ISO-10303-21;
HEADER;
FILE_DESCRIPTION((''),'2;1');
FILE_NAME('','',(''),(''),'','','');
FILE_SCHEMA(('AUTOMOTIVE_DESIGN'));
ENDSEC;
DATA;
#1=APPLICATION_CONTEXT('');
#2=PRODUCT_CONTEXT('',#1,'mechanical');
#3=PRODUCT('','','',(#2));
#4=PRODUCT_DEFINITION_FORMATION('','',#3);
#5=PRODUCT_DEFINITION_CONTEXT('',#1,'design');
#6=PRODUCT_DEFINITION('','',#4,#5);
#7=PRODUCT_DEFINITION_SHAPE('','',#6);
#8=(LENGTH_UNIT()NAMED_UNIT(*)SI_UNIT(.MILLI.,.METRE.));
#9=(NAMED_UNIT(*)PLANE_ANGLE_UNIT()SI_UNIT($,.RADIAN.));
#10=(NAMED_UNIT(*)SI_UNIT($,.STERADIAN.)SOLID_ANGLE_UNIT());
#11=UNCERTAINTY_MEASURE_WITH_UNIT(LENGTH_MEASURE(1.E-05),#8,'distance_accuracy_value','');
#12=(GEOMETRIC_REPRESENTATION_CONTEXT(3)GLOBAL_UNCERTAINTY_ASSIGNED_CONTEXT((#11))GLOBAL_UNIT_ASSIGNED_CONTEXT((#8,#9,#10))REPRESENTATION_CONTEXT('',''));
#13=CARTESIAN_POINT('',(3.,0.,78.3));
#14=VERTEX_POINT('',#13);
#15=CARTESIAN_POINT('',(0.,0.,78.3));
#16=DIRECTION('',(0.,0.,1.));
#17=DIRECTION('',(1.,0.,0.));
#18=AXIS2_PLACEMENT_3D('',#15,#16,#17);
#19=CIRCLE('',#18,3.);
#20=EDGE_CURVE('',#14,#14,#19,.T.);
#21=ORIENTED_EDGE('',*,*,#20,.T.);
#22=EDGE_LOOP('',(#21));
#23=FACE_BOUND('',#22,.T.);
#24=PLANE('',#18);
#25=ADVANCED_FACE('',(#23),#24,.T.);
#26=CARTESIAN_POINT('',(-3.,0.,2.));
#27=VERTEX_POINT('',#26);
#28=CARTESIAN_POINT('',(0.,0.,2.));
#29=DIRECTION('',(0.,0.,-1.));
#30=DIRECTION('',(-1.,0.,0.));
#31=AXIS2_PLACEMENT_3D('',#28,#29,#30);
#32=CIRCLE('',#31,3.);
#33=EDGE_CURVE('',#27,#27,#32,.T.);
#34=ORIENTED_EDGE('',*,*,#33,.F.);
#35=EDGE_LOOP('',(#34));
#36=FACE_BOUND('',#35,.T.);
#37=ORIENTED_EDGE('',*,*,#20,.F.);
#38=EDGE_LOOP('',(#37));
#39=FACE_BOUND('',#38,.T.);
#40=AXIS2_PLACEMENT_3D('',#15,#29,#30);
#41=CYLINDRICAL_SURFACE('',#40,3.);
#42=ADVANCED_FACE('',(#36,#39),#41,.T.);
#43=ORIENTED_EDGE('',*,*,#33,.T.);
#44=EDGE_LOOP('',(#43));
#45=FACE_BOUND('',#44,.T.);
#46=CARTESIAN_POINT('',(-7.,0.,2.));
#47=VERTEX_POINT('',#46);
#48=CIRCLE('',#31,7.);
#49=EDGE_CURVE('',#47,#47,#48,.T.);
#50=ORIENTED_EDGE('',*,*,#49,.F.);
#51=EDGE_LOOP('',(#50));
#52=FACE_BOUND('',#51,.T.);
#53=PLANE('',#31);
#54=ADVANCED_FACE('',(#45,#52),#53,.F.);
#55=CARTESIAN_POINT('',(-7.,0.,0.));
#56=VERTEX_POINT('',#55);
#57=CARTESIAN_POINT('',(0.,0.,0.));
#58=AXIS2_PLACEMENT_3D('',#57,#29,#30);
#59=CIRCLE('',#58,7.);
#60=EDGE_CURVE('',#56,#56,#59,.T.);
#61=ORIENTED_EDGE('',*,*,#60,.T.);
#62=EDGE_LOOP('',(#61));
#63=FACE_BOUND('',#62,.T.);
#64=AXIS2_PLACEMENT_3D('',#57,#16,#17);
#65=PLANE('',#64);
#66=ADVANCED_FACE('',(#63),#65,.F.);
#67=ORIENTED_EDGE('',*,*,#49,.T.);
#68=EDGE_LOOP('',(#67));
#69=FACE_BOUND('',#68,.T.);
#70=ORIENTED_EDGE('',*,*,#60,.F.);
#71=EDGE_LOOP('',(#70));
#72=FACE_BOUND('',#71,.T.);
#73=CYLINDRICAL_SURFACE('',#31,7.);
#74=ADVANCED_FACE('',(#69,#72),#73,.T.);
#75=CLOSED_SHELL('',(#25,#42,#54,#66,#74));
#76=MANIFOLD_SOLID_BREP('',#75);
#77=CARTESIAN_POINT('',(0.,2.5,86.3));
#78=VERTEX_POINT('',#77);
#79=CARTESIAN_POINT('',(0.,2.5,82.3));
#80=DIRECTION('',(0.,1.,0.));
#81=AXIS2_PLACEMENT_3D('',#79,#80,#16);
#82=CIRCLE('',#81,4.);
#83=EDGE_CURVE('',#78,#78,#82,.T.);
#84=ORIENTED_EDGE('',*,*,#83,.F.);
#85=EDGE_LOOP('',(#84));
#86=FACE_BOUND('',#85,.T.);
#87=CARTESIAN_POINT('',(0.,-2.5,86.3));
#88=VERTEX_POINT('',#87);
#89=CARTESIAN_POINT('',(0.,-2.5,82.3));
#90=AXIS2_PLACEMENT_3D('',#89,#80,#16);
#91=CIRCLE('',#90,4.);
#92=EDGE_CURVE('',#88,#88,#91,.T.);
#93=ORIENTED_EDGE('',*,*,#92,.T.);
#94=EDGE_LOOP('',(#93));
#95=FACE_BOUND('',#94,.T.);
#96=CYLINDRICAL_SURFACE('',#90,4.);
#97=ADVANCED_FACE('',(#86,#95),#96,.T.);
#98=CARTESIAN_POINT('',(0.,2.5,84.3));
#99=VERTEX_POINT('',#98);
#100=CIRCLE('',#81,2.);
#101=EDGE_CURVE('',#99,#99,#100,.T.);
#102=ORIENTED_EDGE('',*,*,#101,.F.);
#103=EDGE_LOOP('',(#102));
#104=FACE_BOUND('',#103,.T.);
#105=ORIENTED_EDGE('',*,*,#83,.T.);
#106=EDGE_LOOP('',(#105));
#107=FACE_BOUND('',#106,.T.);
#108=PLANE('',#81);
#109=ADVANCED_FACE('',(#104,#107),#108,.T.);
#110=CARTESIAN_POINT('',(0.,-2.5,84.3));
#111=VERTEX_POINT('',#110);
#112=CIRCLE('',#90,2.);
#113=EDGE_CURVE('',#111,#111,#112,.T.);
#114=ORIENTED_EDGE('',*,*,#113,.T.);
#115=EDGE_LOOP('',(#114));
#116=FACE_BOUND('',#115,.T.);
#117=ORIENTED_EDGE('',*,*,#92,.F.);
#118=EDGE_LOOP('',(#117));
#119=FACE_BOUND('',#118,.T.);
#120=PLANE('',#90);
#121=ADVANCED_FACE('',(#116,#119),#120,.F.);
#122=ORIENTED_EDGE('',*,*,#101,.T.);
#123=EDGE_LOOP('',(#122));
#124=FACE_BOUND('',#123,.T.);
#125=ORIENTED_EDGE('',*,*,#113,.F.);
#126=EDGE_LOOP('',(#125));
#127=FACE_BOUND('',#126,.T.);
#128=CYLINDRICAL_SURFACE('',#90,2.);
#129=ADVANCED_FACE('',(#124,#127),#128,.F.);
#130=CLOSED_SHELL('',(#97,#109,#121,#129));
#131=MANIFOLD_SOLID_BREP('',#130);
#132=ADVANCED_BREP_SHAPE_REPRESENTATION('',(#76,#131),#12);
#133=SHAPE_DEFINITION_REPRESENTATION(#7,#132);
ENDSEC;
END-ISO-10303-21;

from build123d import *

# Parameters (mm, degrees)
SKETCH1_R                = 3
BOSS_EXTRUDE1_DEPTH      = 78.3
BOSS_EXTRUDE2_DEPTH      = 2.5
BOSS_EXTRUDE2_DEPTH_BACK = 2.5
SKETCH2_R                = 4
SKETCH2_R_2              = 2
SKETCH3_R                = 7
BOSS_EXTRUDE3_DEPTH      = 2


with BuildPart() as part:
    # Sketch1 → Boss-Extrude1 (new body)
    with BuildSketch(Plane.XY):
        Circle(SKETCH1_R)
    extrude(amount=BOSS_EXTRUDE1_DEPTH)

    # Sketch3 → Boss-Extrude3 (add)
    with BuildSketch(Plane(origin=(0, 0, 0), x_dir=(-1, 0, 0), z_dir=(0, 0, -1))):
        Circle(SKETCH3_R)
    extrude(amount=-BOSS_EXTRUDE3_DEPTH)


with BuildPart() as body_2:
    # Sketch2 → Boss-Extrude2 (new, two sides: drawn at the far end of the back side and taken through both)
    with BuildSketch(Plane(origin=(0, 0, 0), x_dir=(1, 0, 0), z_dir=(0, 1, 0)).offset(-BOSS_EXTRUDE2_DEPTH_BACK)):
        with Locations((0, -82.3)):
            Circle(SKETCH2_R)
        with Locations((0, -82.3)):
            Circle(SKETCH2_R_2, mode=Mode.SUBTRACT)
    extrude(amount=BOSS_EXTRUDE2_DEPTH + BOSS_EXTRUDE2_DEPTH_BACK)


solid = Compound([part.part, body_2.part])
